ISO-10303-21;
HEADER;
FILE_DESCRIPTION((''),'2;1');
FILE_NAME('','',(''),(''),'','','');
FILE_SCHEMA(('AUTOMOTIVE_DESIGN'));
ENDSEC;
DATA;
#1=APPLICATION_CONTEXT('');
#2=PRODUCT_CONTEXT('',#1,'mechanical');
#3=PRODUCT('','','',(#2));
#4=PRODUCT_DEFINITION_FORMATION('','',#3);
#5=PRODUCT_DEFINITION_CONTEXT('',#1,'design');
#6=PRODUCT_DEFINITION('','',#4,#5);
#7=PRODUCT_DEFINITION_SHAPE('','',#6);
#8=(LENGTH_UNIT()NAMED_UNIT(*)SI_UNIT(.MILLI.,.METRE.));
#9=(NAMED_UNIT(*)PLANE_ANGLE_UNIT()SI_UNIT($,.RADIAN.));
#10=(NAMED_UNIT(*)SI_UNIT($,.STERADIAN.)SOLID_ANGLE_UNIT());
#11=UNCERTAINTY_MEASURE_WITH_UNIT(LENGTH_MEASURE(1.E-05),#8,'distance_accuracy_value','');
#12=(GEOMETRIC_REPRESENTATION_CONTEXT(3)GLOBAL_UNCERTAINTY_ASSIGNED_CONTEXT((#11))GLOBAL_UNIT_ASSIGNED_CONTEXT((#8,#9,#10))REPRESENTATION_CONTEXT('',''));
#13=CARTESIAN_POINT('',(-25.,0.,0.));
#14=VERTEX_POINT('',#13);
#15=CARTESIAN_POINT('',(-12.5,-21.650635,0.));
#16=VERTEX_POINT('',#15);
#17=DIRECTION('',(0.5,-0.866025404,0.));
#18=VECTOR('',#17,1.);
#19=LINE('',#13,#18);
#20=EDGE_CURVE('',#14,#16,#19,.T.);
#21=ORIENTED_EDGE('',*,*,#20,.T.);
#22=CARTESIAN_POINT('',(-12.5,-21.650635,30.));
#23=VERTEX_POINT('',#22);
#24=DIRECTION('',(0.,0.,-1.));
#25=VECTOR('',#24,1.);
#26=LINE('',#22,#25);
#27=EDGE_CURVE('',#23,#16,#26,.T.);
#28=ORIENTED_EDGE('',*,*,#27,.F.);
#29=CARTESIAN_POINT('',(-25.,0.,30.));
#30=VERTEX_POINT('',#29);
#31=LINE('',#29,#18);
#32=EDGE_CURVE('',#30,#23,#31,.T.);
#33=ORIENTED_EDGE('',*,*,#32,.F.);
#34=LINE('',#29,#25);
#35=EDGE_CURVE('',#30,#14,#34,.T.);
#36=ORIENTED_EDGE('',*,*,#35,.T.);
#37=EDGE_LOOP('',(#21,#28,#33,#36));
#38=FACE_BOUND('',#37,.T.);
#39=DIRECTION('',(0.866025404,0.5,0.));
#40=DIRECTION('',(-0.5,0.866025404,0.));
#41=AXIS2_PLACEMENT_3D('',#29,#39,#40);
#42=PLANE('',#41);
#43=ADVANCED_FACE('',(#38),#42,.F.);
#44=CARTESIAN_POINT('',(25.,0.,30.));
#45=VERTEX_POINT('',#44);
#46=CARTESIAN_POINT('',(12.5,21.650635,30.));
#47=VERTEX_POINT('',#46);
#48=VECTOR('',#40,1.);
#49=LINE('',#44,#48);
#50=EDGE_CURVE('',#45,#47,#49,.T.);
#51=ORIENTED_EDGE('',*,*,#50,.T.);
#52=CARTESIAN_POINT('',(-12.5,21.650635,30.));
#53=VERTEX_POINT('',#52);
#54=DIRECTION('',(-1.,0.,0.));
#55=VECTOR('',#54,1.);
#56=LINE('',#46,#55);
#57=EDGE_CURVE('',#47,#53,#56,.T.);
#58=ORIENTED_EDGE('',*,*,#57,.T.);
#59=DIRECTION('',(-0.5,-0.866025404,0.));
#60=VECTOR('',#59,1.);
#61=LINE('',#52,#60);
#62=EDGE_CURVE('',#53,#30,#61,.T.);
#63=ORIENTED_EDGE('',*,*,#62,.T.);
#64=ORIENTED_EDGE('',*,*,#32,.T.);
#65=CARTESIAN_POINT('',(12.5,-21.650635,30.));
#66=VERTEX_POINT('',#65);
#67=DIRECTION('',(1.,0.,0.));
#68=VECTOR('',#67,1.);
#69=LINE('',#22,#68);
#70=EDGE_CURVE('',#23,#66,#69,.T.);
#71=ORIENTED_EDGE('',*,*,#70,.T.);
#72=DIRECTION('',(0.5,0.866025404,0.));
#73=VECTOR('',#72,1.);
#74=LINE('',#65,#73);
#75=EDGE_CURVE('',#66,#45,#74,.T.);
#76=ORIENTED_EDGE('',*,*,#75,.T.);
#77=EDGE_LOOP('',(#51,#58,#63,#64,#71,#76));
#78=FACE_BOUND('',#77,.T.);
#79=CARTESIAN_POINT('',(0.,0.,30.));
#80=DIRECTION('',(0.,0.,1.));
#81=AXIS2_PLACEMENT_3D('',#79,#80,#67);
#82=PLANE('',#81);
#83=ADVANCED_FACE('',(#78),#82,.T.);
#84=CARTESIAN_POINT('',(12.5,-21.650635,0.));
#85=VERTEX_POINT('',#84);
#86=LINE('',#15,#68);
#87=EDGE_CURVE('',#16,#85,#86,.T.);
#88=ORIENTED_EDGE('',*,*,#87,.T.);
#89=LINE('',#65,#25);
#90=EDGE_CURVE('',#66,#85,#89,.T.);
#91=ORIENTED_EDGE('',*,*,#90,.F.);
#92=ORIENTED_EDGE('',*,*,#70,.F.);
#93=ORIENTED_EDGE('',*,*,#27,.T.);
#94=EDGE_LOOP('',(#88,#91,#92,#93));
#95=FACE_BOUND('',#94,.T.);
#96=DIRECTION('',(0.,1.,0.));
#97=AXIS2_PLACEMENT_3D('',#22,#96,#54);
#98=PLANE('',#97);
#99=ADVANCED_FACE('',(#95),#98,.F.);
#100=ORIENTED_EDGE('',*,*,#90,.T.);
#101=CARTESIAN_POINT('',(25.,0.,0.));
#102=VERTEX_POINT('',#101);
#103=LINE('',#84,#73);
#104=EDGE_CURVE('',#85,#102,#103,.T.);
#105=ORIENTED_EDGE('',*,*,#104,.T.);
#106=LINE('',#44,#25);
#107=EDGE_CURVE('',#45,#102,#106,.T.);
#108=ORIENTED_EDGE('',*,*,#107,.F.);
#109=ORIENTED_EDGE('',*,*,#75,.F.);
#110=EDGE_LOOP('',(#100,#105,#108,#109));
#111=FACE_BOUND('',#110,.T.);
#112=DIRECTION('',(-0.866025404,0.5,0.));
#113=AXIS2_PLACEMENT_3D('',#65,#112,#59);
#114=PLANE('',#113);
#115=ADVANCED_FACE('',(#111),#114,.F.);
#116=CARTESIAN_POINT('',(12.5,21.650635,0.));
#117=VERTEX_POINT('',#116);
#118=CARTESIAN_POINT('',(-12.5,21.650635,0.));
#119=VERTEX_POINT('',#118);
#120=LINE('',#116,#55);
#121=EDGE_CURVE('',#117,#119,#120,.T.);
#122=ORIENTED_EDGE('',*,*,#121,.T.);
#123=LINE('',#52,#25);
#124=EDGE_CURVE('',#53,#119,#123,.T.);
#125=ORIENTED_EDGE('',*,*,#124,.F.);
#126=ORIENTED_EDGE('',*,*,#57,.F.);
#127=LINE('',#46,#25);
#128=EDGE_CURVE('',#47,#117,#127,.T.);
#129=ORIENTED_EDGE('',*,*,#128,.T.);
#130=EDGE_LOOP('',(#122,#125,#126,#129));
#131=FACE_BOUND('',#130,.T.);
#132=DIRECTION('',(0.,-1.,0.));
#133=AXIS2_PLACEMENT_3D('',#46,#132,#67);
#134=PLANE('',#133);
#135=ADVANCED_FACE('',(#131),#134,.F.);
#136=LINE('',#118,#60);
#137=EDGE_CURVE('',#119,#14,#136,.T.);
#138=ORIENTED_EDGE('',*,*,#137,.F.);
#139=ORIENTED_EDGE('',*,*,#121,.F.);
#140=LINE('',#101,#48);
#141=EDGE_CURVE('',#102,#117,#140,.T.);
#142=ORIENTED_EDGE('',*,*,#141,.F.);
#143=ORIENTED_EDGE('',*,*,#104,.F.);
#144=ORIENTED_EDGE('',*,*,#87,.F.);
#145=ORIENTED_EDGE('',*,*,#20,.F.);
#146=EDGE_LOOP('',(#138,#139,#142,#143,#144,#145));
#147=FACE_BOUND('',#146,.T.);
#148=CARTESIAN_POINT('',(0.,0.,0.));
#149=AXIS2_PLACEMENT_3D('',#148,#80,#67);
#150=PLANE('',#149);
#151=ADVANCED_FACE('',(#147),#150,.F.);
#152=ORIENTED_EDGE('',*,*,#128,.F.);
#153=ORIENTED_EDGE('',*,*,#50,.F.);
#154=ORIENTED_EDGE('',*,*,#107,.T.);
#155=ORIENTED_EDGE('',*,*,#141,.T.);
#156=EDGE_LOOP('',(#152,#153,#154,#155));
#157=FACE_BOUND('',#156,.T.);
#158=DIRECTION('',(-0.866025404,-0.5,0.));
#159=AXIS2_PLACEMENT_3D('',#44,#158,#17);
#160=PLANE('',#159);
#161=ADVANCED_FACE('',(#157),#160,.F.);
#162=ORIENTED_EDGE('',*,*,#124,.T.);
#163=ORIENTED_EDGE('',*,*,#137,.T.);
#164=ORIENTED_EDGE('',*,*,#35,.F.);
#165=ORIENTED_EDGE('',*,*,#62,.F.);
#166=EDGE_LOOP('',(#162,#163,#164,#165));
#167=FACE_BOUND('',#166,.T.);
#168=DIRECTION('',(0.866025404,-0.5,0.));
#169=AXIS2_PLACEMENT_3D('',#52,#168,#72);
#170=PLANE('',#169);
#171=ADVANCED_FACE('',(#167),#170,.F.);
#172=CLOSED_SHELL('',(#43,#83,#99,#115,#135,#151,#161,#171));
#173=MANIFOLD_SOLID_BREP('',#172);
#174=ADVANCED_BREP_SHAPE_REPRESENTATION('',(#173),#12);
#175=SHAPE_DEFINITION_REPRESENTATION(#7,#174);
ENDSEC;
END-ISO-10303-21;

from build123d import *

# Parameters (mm, degrees)
ESTRUSIONE_ESTRUSIONE1_DEPTH = 30


with BuildPart() as part:
    # Schizzo1 → Estrusione-Estrusione1 (new body)
    with BuildSketch(Plane.XY):
        Polygon((-12.5, -21.650635095), (12.5, -21.650635095), (25, 0), (12.5, 21.650635095), (-12.5, 21.650635095), (-25, 0), align=None)
    extrude(amount=ESTRUSIONE_ESTRUSIONE1_DEPTH)


solid = part.part
